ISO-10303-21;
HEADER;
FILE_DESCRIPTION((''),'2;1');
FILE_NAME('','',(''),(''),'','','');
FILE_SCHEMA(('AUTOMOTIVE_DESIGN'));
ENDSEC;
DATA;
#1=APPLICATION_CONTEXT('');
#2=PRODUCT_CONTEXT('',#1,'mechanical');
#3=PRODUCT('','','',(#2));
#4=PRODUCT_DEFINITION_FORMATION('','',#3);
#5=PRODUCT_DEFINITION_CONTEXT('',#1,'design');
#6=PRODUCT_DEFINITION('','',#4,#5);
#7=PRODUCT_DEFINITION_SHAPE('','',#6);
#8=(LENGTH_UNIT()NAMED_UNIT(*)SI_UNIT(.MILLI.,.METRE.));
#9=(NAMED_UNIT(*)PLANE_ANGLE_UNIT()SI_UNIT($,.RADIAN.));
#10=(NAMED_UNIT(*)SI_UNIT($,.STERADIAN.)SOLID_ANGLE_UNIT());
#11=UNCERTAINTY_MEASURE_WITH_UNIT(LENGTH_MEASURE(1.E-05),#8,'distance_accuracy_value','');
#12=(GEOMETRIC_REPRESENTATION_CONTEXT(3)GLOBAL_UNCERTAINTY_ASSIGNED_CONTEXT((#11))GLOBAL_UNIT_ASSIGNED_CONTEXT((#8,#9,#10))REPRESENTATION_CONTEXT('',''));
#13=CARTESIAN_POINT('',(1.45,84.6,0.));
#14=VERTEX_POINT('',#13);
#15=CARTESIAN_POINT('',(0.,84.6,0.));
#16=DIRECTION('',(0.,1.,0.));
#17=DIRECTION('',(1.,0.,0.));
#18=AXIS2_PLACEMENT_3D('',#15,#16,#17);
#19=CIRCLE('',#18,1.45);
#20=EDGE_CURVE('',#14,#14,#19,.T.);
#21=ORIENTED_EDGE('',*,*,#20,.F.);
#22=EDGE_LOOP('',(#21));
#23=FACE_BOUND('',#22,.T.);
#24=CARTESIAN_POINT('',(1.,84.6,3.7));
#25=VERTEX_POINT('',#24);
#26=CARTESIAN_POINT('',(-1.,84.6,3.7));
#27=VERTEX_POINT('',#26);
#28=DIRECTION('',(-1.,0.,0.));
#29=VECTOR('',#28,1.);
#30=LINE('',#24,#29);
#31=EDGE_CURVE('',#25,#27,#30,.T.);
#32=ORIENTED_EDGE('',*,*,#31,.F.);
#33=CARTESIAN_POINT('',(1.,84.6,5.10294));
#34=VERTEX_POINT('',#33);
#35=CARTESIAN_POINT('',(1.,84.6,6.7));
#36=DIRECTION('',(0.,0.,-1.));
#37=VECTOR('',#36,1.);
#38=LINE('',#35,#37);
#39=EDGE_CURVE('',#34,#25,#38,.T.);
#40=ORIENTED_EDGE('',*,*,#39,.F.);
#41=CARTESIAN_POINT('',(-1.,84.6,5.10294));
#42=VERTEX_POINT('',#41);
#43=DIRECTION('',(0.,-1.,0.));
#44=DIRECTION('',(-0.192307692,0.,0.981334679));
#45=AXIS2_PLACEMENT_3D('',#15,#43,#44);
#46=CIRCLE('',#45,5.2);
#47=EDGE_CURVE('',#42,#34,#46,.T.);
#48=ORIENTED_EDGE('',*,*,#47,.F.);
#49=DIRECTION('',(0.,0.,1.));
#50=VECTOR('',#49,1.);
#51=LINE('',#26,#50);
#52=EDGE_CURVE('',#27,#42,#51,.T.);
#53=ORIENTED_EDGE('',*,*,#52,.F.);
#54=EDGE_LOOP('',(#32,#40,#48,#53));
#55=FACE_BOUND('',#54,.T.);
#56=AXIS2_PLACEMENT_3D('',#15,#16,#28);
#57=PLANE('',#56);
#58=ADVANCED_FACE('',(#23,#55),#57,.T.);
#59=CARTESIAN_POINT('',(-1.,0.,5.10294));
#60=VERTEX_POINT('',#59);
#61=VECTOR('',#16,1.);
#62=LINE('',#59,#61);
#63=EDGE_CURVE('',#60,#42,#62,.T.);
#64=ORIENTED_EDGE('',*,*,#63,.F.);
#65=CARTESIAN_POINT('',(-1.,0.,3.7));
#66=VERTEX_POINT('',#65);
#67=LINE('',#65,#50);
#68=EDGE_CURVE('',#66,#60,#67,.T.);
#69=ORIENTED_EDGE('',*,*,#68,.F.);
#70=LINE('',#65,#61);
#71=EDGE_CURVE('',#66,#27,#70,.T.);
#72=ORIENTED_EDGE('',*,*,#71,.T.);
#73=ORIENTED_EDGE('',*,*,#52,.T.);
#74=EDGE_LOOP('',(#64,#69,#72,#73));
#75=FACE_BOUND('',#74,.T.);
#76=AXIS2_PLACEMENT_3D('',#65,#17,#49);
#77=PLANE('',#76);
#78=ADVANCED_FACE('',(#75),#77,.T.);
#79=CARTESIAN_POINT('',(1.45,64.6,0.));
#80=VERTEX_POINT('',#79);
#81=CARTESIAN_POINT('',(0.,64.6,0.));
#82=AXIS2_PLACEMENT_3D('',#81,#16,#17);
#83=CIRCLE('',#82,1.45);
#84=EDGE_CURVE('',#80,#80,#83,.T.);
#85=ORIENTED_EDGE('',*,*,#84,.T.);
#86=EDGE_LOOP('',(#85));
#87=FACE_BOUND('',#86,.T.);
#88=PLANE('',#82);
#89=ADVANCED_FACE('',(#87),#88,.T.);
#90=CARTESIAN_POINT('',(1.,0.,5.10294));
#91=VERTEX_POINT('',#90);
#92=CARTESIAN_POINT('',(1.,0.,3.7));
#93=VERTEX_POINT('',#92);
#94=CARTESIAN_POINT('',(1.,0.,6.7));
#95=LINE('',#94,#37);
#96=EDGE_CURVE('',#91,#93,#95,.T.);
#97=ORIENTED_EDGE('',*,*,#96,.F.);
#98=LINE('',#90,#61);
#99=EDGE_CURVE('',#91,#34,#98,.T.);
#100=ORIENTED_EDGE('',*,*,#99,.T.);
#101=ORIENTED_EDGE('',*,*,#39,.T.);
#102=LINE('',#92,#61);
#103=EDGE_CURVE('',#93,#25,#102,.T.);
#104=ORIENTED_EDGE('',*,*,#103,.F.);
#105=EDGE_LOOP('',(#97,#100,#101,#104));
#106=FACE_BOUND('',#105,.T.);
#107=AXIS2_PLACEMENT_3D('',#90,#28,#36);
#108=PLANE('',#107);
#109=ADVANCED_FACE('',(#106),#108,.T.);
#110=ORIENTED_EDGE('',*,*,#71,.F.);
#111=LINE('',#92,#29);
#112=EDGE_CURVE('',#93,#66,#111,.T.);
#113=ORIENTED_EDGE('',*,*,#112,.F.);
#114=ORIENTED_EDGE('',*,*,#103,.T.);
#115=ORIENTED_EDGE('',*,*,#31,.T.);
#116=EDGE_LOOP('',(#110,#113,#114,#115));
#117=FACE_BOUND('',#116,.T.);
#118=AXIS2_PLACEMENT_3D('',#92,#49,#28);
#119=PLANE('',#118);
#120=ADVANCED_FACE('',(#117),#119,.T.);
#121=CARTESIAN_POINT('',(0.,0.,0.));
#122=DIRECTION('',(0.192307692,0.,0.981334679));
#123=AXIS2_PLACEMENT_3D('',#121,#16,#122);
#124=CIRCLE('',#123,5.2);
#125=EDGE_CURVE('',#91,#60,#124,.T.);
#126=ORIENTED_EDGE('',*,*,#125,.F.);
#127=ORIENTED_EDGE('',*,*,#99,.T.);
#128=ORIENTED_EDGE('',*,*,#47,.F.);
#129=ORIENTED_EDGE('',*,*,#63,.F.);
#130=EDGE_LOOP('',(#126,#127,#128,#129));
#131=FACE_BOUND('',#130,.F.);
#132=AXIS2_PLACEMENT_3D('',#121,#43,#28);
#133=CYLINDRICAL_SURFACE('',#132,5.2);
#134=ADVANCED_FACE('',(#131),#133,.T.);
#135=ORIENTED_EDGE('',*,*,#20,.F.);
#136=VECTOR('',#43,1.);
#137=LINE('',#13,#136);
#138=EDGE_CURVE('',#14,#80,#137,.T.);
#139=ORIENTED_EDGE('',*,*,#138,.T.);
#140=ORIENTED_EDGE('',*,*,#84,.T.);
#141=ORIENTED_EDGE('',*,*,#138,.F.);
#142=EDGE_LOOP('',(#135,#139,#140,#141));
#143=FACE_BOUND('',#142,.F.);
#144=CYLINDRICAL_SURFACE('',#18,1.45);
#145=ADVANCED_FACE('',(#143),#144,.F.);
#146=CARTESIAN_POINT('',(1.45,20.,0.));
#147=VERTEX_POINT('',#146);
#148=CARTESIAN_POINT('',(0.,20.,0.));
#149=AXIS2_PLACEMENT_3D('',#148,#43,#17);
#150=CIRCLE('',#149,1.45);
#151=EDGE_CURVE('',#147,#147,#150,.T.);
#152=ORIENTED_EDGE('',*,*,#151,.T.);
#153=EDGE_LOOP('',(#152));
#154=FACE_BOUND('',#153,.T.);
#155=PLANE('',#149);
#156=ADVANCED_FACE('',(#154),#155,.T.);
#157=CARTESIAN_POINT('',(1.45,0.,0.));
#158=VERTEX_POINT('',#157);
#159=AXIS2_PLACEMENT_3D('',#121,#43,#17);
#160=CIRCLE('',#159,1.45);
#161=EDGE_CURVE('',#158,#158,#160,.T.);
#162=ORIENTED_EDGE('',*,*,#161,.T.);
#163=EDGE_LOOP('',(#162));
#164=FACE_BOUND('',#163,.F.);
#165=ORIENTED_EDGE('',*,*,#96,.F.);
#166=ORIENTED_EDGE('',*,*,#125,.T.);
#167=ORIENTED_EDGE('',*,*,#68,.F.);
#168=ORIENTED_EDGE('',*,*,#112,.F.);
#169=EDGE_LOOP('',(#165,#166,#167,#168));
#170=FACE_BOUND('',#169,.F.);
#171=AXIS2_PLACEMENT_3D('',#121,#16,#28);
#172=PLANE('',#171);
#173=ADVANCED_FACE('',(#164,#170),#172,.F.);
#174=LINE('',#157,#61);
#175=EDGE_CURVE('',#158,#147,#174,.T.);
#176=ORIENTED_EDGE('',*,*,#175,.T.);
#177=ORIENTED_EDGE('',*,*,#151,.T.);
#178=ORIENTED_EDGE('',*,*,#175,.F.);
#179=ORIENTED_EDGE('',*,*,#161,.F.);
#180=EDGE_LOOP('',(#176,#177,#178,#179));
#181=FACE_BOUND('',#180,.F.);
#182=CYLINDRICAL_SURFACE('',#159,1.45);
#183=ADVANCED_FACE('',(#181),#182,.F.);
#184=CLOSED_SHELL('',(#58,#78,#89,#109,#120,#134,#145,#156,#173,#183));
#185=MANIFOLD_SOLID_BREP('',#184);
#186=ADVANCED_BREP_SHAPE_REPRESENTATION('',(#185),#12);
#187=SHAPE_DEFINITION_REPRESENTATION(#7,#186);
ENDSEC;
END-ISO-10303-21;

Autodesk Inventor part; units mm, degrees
ref_plane "YZ Plane" through (0, 0, 0) normal (1, 0, 0) x (0, 1, 0)
ref_plane "XZ Plane" through (0, 0, 0) normal (0, 1, 0) x (-1, 0, 0)
ref_plane "XY Plane" through (0, 0, 0) normal (0, 0, 1) x (1, 0, 0)
sketch "Sketch1" plane through (0, 0, 0) normal (0, 1, 0) x (-1, 0, 0)
  circle A0 centre (0, 0) radius 5.2
  line L0 (1, 6.7) -> (-1, 6.7)
  line L1 (-1, 6.7) -> (-1, 3.7)
  line L2 (-1, 3.7) -> (1, 3.7)
  line L3 (1, 3.7) -> (1, 6.7)
  line L4 (1, 6.7) -> (-1, 3.7) construction
  line L5 (-1, 6.7) -> (1, 3.7) construction
  point P0 (0, 5.2)
  point P1 (1, 5.1029)
  point P2 (-1, 5.1029)
  dimension "d0" = 10.4
  dimension "d1" = 2
  dimension "d2" = 3
extrude "Extrusion1" add sketch "Sketch1" along normal blind 84.6 contours A0 L1 L2 L3 picked at (-0.1628, 0.741)
sketch "Sketch2" plane through (0, 84.6, 0) normal (0, 1, 0) x (1, 0, 0)
  circle A0 centre (0, 0) radius 1.45
  dimension "d5" = 2.9
extrude "Extrusion2" cut sketch "Sketch2" against normal blind 20
sketch "Sketch3" plane through (0, 0, 0) normal (0, -1, 0) x (1, 0, 0)
  circle A0 centre (0, 0) radius 1.45 projected
extrude "Extrusion3" cut sketch "Sketch3" against normal blind 20
properties part number "00_Battery_AAA_Attrap"
